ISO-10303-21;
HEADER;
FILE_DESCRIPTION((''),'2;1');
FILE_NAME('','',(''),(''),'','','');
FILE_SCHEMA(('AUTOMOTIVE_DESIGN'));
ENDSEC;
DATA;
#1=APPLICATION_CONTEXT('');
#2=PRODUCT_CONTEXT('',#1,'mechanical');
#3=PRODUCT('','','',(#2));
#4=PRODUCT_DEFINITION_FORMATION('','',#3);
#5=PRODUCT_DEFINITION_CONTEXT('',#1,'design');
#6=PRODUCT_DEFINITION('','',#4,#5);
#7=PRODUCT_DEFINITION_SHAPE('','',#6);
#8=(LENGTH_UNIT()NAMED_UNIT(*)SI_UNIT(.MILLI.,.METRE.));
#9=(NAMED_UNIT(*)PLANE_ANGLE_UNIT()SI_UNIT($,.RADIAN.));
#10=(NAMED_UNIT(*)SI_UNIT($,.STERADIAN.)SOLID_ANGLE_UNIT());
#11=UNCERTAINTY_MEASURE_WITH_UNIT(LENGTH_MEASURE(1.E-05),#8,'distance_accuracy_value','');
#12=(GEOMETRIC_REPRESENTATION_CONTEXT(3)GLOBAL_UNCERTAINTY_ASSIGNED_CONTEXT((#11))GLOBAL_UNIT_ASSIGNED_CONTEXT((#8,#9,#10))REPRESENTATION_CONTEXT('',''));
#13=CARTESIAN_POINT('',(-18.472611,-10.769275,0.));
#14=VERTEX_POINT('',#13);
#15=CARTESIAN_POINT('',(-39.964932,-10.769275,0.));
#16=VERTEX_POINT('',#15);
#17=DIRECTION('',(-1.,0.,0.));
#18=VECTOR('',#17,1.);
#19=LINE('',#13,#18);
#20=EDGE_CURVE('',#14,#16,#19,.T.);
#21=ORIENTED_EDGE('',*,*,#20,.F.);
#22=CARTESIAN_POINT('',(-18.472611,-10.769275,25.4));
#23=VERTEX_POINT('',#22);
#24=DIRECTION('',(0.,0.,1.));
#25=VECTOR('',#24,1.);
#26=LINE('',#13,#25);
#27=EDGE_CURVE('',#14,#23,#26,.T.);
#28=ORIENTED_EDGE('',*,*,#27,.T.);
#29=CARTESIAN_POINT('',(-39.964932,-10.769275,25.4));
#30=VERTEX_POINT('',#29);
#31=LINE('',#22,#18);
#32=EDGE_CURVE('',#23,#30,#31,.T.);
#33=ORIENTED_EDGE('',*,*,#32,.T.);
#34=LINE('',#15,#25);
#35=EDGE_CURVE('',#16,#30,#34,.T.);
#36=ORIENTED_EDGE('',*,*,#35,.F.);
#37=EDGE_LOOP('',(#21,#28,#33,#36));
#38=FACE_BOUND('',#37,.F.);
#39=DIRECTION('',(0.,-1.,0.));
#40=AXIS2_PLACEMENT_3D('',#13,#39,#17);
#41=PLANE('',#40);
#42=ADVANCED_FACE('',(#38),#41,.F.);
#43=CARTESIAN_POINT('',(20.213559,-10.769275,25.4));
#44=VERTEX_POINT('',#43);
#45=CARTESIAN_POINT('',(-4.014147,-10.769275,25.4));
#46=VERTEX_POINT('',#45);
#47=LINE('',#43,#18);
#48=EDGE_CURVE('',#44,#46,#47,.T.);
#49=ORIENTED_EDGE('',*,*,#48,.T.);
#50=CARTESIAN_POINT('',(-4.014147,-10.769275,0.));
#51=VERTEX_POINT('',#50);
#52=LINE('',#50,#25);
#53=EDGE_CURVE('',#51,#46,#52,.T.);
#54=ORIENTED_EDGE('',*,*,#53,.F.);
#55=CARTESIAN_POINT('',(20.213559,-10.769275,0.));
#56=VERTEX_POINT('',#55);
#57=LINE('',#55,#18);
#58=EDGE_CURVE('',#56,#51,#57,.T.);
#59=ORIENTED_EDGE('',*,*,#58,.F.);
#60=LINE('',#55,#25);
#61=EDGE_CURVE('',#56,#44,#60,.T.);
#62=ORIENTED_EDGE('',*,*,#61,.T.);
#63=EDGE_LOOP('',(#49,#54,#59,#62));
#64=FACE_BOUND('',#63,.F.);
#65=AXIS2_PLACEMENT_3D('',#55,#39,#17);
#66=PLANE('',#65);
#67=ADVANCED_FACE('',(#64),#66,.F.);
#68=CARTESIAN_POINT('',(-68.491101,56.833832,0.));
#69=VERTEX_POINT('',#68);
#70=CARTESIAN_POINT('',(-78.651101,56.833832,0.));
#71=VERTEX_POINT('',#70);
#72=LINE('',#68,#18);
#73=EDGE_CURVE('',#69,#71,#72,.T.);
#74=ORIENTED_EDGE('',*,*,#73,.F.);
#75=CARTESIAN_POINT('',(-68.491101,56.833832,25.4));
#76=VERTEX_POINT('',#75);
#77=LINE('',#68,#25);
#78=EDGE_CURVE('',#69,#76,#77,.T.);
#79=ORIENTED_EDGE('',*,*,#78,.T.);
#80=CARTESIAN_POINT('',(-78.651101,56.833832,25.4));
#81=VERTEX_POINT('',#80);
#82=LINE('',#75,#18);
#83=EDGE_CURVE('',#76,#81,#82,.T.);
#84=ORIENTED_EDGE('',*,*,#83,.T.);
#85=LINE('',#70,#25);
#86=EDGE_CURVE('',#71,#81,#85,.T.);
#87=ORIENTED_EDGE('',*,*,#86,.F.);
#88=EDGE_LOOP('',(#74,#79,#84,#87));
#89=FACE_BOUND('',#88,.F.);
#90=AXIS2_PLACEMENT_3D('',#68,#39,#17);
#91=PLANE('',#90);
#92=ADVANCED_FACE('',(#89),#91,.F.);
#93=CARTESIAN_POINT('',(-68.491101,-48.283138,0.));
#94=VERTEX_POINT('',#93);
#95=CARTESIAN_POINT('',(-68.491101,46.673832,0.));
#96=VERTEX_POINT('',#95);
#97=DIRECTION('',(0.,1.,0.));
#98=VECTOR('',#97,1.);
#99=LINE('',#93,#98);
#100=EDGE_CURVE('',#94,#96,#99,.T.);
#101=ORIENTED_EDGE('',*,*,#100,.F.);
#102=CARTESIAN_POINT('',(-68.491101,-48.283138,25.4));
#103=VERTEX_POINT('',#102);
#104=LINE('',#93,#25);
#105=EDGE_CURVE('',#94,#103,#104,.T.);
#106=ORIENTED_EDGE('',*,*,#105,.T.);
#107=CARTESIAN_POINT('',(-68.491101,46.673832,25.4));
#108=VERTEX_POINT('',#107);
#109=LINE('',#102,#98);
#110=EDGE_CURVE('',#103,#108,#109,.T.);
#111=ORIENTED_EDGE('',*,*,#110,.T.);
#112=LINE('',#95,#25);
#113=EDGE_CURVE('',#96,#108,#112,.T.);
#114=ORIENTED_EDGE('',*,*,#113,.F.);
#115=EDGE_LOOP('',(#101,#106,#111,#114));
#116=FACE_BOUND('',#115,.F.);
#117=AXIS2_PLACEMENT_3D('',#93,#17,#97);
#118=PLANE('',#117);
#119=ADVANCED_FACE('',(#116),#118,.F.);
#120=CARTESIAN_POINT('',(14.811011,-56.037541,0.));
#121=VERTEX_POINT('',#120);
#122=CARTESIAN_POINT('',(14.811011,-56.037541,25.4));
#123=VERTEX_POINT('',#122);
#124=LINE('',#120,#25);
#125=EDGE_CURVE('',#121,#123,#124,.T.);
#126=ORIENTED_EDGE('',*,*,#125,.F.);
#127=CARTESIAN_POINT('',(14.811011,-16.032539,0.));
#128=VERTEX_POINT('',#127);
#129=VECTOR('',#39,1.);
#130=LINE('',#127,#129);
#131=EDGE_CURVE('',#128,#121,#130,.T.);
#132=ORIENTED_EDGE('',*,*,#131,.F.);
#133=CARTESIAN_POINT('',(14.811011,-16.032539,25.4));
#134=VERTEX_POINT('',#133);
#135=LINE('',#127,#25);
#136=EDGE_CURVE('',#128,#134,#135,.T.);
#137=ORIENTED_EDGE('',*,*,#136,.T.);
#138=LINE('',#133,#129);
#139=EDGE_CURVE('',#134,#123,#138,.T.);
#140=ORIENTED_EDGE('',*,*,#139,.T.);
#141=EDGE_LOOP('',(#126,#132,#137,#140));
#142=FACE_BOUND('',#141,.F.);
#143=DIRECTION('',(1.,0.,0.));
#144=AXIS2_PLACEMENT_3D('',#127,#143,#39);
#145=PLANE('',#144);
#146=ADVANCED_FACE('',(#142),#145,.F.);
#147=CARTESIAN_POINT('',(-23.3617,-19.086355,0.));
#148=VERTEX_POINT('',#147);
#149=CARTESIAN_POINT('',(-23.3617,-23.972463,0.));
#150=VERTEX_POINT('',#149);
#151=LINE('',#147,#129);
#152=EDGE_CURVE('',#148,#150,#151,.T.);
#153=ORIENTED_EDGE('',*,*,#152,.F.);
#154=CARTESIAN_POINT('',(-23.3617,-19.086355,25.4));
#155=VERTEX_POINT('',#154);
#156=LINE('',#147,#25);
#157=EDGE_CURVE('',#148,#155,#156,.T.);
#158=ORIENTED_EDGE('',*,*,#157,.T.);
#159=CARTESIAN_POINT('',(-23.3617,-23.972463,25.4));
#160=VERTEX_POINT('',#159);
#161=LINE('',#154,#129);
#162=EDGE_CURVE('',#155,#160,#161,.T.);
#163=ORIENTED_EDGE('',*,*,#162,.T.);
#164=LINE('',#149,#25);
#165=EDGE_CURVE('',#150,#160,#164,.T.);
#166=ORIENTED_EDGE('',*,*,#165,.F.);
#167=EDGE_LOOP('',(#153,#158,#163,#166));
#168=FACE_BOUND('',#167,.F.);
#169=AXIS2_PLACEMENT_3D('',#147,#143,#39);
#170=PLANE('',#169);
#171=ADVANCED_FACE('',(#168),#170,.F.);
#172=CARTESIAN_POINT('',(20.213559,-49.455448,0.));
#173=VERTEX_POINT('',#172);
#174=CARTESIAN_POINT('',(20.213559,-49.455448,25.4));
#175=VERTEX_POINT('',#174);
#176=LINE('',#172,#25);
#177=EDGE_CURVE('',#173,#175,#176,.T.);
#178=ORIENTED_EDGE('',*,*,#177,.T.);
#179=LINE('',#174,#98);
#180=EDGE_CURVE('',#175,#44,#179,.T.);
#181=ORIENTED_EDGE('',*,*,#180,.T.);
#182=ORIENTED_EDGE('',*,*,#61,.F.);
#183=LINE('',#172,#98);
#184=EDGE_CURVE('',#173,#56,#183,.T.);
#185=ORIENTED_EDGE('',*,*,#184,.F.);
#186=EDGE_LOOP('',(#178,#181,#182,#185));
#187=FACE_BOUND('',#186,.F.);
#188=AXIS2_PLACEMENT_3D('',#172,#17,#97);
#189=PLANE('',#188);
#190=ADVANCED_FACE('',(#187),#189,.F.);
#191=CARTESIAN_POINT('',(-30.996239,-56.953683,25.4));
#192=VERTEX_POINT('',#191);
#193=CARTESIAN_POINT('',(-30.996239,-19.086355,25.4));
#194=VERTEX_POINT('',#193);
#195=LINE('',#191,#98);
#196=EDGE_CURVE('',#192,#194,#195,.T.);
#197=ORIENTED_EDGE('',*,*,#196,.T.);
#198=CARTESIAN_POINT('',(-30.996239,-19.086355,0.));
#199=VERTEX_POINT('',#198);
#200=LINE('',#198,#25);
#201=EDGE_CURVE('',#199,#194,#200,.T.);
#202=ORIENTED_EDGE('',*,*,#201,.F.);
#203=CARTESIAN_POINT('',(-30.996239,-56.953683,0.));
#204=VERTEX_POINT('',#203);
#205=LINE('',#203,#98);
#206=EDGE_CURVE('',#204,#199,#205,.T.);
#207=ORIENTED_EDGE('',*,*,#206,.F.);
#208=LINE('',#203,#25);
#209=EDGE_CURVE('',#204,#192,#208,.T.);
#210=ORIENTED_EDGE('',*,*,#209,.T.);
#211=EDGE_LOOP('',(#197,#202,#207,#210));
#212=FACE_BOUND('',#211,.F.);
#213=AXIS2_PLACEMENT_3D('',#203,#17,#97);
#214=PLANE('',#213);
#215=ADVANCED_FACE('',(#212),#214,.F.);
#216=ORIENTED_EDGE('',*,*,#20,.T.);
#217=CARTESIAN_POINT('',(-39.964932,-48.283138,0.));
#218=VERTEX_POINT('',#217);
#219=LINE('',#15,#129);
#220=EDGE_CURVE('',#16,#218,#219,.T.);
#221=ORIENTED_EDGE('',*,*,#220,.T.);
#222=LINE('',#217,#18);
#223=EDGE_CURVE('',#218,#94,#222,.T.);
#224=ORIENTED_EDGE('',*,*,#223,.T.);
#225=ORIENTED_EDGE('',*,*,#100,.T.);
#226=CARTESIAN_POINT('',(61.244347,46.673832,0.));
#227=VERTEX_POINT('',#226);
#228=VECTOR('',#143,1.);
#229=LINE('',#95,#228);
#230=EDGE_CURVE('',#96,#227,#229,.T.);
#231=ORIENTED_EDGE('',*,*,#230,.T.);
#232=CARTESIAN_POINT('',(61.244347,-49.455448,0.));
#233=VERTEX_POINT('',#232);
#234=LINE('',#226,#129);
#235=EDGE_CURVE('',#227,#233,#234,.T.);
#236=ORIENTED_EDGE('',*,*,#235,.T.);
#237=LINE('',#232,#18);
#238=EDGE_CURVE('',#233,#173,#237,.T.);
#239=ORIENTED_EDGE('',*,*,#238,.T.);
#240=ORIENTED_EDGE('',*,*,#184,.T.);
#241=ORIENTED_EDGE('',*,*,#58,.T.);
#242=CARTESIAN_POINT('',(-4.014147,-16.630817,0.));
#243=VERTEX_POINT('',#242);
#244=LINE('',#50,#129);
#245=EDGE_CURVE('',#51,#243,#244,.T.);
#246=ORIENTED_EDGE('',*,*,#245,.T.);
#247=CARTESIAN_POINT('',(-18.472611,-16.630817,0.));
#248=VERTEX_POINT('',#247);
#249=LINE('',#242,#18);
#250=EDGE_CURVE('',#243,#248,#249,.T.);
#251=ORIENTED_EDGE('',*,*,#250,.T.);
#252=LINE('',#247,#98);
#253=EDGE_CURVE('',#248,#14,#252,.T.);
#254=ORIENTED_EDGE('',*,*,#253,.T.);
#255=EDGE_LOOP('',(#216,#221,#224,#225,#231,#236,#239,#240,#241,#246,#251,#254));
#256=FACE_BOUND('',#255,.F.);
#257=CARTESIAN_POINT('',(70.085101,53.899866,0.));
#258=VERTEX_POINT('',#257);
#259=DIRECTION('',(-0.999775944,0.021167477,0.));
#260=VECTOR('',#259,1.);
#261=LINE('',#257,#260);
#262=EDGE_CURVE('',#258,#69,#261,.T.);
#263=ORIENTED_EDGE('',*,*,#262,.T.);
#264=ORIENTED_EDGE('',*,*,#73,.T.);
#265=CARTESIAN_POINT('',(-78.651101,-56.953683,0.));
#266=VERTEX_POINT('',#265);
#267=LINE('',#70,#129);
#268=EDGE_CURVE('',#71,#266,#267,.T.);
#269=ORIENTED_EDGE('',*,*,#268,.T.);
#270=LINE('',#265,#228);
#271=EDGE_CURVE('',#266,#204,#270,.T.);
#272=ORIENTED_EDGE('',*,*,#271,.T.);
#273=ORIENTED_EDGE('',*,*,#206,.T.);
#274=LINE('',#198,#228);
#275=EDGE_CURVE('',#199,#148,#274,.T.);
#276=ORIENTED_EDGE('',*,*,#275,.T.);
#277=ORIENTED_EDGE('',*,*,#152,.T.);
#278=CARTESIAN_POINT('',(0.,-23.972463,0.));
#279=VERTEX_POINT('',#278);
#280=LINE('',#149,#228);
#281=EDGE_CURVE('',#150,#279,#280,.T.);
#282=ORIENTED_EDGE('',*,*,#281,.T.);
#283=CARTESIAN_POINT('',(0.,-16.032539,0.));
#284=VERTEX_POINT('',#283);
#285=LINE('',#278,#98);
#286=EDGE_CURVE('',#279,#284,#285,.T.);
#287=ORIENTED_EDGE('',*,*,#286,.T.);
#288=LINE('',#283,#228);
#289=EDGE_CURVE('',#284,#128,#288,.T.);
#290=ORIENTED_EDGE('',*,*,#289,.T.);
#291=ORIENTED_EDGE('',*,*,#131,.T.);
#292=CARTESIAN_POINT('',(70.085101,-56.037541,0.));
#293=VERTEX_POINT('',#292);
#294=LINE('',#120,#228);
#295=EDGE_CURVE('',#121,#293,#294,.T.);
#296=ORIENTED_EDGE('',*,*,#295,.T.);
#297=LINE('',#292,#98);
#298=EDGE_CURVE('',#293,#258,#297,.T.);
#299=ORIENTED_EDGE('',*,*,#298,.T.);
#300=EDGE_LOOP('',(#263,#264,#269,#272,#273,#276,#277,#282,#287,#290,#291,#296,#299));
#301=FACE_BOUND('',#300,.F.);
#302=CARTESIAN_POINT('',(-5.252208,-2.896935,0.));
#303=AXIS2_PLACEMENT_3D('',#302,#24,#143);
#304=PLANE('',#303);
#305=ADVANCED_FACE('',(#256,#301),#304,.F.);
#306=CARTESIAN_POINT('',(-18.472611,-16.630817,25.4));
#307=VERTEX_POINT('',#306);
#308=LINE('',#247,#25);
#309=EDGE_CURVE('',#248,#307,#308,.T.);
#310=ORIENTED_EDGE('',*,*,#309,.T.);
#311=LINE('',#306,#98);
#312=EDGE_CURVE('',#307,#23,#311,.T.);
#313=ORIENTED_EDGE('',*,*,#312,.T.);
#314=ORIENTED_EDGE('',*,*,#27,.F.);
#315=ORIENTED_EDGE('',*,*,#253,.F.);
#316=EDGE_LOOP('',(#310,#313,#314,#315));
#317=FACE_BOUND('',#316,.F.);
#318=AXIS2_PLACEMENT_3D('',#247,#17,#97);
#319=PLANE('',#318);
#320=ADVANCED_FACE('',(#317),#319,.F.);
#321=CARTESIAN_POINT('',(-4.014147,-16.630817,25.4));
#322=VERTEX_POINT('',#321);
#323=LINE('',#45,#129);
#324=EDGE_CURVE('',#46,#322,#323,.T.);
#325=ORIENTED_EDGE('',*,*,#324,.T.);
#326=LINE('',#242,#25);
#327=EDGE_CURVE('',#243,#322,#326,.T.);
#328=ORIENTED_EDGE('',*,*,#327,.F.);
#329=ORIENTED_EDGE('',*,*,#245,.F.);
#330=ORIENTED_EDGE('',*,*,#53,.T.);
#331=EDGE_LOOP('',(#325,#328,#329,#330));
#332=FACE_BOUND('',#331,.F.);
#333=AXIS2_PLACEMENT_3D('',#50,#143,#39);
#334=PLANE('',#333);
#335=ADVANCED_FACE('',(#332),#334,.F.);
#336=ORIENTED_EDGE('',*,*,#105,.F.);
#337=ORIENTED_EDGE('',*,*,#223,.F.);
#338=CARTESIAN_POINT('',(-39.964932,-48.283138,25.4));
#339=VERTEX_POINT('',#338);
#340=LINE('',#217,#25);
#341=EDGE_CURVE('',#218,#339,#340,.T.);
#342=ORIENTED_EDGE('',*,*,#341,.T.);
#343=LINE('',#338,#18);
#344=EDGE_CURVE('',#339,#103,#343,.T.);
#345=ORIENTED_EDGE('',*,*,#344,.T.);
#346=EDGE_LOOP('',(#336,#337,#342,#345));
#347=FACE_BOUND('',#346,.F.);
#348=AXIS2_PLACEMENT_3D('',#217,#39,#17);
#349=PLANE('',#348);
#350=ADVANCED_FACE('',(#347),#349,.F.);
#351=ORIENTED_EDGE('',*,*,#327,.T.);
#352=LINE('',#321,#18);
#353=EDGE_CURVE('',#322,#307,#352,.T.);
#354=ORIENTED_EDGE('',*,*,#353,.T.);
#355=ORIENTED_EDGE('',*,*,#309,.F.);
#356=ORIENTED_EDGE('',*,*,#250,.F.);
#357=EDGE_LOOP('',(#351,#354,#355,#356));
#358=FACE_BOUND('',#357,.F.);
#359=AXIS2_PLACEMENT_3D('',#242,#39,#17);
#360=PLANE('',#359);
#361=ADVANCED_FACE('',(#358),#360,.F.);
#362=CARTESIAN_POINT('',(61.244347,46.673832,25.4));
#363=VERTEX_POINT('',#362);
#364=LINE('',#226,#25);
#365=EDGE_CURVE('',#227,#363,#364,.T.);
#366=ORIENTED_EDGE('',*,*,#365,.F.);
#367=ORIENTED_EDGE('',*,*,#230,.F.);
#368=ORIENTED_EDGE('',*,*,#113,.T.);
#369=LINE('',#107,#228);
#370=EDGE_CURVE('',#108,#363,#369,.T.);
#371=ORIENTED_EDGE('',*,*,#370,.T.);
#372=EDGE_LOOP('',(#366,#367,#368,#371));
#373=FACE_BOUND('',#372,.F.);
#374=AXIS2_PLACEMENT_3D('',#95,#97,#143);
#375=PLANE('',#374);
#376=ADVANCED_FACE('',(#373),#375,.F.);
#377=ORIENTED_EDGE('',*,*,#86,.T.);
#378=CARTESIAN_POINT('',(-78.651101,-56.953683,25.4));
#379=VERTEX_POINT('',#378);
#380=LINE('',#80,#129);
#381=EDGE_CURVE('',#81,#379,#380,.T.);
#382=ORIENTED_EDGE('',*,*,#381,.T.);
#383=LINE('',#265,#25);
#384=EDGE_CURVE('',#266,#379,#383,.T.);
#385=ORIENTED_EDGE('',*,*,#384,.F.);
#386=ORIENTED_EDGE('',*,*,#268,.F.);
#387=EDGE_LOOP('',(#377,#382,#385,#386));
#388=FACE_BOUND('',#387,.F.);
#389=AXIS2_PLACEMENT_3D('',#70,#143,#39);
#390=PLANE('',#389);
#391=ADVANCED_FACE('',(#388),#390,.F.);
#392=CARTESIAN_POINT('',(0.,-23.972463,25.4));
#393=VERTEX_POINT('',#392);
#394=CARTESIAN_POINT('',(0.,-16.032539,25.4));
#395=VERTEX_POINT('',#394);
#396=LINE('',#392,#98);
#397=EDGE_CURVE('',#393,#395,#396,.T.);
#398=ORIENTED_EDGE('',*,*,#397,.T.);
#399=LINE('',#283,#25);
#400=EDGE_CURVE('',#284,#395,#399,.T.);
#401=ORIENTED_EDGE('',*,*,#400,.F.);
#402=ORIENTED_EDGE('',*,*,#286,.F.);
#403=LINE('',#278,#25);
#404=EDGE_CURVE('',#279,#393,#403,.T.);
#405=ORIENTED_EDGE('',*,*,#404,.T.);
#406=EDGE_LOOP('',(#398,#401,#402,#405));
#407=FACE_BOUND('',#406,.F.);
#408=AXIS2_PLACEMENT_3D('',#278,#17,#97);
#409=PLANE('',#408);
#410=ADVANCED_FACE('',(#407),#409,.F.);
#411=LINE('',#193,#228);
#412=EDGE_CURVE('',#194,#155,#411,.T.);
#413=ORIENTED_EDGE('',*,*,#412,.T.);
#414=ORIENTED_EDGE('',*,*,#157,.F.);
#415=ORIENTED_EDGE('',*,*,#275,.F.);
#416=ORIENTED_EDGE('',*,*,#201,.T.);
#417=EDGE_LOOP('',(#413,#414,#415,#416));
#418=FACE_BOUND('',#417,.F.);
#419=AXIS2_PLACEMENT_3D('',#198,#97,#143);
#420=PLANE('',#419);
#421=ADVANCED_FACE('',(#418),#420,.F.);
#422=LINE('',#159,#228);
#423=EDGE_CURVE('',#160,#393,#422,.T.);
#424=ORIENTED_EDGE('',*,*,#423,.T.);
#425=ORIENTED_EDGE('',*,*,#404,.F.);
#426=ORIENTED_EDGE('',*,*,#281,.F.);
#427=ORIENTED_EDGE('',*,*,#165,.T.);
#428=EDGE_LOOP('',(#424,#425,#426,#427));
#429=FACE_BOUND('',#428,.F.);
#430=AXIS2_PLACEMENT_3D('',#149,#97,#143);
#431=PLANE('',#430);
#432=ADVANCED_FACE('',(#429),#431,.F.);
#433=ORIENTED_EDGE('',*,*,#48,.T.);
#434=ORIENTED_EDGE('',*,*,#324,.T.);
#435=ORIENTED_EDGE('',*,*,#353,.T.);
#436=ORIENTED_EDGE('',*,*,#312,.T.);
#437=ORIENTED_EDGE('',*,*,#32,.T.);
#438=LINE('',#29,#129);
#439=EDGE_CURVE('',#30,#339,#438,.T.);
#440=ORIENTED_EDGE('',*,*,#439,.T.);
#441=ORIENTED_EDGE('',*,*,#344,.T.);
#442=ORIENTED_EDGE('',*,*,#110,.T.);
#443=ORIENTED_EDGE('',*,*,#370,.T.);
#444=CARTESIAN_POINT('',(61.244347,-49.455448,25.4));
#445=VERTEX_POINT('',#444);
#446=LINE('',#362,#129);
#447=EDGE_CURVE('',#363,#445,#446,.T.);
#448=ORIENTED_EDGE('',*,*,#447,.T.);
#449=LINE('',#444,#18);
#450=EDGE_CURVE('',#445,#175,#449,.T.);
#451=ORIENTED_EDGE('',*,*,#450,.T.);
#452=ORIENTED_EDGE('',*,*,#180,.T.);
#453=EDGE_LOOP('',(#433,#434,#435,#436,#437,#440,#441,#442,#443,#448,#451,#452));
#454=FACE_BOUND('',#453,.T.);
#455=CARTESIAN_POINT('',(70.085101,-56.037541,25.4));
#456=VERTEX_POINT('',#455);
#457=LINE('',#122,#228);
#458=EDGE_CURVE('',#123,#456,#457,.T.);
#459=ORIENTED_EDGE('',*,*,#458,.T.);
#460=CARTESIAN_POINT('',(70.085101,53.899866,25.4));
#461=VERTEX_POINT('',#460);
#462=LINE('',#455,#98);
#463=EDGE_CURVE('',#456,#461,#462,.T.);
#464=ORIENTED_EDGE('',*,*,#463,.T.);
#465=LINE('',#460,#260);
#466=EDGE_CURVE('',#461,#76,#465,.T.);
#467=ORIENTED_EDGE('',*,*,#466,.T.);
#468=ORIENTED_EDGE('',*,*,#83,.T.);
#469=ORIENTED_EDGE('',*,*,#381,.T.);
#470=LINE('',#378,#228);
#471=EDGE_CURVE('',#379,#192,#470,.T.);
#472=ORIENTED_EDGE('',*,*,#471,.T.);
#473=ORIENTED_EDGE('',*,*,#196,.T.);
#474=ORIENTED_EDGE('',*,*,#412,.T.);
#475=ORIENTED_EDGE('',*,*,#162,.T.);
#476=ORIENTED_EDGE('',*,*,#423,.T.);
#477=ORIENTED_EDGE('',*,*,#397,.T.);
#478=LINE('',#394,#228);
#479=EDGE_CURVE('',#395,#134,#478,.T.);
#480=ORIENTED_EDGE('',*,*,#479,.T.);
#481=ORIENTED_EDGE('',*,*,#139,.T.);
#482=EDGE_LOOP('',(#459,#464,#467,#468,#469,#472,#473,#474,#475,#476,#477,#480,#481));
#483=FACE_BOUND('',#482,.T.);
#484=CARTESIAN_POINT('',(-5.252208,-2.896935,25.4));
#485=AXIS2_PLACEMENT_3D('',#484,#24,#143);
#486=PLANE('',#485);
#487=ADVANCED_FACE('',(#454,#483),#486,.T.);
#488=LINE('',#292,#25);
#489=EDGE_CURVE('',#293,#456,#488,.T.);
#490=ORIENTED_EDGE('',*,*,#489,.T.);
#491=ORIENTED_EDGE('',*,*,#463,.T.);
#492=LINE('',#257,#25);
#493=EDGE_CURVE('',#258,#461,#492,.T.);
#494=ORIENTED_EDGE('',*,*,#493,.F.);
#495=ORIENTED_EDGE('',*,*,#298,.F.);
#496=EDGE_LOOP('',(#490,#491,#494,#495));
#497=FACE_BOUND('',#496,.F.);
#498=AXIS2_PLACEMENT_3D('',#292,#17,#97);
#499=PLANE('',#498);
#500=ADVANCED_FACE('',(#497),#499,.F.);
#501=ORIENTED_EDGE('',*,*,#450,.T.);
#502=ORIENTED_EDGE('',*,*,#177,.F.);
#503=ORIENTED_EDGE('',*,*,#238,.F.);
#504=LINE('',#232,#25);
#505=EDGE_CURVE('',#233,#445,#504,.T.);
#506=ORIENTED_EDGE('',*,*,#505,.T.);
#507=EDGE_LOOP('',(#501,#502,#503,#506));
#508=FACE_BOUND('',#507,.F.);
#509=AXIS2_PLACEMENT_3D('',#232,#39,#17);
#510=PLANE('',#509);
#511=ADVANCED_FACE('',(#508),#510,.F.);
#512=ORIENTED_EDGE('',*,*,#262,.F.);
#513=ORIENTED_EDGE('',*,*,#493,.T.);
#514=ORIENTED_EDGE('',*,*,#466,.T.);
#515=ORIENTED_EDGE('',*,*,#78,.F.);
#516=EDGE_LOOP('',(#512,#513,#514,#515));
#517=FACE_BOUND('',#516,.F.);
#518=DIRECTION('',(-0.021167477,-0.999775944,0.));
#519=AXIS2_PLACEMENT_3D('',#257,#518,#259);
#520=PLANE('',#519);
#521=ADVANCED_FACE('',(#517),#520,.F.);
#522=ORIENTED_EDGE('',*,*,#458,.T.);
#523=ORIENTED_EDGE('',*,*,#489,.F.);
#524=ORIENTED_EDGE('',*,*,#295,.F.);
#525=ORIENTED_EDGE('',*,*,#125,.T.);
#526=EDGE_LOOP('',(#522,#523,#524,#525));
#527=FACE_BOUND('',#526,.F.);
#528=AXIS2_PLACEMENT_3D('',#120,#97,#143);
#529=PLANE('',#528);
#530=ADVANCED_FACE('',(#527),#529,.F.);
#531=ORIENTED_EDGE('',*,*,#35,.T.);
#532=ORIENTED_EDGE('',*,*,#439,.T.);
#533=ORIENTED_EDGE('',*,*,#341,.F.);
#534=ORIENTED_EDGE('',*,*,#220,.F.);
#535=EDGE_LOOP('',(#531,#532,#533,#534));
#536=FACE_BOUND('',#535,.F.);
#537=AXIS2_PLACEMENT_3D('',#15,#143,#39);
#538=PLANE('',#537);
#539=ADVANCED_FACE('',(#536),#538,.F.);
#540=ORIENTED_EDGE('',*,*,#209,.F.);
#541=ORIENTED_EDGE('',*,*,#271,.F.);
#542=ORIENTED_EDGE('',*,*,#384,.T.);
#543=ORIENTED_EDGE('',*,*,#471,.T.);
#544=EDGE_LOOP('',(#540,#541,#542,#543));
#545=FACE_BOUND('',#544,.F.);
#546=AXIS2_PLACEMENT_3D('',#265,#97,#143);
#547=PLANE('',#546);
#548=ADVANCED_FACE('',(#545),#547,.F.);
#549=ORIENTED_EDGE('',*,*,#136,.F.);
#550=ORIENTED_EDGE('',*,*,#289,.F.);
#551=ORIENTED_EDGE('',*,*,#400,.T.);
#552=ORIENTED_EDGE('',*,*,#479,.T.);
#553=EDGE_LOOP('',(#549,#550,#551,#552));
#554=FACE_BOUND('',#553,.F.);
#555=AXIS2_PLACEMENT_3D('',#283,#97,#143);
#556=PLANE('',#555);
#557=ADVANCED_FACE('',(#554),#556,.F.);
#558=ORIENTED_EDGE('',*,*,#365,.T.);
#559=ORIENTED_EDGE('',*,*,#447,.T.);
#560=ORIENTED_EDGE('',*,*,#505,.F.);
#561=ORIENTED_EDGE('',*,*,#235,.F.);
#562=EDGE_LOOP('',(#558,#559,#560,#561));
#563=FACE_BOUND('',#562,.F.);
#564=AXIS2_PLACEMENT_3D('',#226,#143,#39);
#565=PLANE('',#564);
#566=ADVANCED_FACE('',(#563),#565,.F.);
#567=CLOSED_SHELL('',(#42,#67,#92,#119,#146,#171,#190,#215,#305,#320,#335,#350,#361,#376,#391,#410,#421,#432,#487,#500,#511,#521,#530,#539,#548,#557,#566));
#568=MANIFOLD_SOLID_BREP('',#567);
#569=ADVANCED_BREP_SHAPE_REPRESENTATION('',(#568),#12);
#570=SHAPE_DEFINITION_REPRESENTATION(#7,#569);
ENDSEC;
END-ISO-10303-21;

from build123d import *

# Parameters (mm, degrees)
F1_DEPTH = 25.4


with BuildPart() as f1:
    # F0 (on Top) → F1 (new body)
    with BuildSketch(Plane.XY):
        Polygon((70.085101, 53.899866), (-68.491101, 56.833832), (-78.651101, 56.833832), (-78.651101, -56.953683), (-30.996239, -56.953683), (-30.996239, -19.086355), (-23.3617, -19.086355), (-23.3617, -23.972463), (0, -23.972463), (0, -16.032539), (14.811011, -16.032539), (14.811011, -56.037541), (70.085101, -56.037541), align=None)
        Polygon((-68.491101, -10.769275), (-68.491101, 46.673832), (-2.841839, 46.673832), (26.465869, 46.673832), (61.244347, 46.673832), (61.244347, 15.803046), (61.244347, -10.769275), (61.244347, -49.455448), (20.213559, -49.455448), (20.213559, -10.769275), (-4.014147, -10.769275), (-4.014147, -16.630817), (-18.472611, -16.630817), (-18.472611, -10.769275), (-39.964932, -10.769275), (-39.964932, -48.283138), (-68.491101, -48.283138), align=None, mode=Mode.SUBTRACT)
    extrude(amount=F1_DEPTH)


solid = f1.part
